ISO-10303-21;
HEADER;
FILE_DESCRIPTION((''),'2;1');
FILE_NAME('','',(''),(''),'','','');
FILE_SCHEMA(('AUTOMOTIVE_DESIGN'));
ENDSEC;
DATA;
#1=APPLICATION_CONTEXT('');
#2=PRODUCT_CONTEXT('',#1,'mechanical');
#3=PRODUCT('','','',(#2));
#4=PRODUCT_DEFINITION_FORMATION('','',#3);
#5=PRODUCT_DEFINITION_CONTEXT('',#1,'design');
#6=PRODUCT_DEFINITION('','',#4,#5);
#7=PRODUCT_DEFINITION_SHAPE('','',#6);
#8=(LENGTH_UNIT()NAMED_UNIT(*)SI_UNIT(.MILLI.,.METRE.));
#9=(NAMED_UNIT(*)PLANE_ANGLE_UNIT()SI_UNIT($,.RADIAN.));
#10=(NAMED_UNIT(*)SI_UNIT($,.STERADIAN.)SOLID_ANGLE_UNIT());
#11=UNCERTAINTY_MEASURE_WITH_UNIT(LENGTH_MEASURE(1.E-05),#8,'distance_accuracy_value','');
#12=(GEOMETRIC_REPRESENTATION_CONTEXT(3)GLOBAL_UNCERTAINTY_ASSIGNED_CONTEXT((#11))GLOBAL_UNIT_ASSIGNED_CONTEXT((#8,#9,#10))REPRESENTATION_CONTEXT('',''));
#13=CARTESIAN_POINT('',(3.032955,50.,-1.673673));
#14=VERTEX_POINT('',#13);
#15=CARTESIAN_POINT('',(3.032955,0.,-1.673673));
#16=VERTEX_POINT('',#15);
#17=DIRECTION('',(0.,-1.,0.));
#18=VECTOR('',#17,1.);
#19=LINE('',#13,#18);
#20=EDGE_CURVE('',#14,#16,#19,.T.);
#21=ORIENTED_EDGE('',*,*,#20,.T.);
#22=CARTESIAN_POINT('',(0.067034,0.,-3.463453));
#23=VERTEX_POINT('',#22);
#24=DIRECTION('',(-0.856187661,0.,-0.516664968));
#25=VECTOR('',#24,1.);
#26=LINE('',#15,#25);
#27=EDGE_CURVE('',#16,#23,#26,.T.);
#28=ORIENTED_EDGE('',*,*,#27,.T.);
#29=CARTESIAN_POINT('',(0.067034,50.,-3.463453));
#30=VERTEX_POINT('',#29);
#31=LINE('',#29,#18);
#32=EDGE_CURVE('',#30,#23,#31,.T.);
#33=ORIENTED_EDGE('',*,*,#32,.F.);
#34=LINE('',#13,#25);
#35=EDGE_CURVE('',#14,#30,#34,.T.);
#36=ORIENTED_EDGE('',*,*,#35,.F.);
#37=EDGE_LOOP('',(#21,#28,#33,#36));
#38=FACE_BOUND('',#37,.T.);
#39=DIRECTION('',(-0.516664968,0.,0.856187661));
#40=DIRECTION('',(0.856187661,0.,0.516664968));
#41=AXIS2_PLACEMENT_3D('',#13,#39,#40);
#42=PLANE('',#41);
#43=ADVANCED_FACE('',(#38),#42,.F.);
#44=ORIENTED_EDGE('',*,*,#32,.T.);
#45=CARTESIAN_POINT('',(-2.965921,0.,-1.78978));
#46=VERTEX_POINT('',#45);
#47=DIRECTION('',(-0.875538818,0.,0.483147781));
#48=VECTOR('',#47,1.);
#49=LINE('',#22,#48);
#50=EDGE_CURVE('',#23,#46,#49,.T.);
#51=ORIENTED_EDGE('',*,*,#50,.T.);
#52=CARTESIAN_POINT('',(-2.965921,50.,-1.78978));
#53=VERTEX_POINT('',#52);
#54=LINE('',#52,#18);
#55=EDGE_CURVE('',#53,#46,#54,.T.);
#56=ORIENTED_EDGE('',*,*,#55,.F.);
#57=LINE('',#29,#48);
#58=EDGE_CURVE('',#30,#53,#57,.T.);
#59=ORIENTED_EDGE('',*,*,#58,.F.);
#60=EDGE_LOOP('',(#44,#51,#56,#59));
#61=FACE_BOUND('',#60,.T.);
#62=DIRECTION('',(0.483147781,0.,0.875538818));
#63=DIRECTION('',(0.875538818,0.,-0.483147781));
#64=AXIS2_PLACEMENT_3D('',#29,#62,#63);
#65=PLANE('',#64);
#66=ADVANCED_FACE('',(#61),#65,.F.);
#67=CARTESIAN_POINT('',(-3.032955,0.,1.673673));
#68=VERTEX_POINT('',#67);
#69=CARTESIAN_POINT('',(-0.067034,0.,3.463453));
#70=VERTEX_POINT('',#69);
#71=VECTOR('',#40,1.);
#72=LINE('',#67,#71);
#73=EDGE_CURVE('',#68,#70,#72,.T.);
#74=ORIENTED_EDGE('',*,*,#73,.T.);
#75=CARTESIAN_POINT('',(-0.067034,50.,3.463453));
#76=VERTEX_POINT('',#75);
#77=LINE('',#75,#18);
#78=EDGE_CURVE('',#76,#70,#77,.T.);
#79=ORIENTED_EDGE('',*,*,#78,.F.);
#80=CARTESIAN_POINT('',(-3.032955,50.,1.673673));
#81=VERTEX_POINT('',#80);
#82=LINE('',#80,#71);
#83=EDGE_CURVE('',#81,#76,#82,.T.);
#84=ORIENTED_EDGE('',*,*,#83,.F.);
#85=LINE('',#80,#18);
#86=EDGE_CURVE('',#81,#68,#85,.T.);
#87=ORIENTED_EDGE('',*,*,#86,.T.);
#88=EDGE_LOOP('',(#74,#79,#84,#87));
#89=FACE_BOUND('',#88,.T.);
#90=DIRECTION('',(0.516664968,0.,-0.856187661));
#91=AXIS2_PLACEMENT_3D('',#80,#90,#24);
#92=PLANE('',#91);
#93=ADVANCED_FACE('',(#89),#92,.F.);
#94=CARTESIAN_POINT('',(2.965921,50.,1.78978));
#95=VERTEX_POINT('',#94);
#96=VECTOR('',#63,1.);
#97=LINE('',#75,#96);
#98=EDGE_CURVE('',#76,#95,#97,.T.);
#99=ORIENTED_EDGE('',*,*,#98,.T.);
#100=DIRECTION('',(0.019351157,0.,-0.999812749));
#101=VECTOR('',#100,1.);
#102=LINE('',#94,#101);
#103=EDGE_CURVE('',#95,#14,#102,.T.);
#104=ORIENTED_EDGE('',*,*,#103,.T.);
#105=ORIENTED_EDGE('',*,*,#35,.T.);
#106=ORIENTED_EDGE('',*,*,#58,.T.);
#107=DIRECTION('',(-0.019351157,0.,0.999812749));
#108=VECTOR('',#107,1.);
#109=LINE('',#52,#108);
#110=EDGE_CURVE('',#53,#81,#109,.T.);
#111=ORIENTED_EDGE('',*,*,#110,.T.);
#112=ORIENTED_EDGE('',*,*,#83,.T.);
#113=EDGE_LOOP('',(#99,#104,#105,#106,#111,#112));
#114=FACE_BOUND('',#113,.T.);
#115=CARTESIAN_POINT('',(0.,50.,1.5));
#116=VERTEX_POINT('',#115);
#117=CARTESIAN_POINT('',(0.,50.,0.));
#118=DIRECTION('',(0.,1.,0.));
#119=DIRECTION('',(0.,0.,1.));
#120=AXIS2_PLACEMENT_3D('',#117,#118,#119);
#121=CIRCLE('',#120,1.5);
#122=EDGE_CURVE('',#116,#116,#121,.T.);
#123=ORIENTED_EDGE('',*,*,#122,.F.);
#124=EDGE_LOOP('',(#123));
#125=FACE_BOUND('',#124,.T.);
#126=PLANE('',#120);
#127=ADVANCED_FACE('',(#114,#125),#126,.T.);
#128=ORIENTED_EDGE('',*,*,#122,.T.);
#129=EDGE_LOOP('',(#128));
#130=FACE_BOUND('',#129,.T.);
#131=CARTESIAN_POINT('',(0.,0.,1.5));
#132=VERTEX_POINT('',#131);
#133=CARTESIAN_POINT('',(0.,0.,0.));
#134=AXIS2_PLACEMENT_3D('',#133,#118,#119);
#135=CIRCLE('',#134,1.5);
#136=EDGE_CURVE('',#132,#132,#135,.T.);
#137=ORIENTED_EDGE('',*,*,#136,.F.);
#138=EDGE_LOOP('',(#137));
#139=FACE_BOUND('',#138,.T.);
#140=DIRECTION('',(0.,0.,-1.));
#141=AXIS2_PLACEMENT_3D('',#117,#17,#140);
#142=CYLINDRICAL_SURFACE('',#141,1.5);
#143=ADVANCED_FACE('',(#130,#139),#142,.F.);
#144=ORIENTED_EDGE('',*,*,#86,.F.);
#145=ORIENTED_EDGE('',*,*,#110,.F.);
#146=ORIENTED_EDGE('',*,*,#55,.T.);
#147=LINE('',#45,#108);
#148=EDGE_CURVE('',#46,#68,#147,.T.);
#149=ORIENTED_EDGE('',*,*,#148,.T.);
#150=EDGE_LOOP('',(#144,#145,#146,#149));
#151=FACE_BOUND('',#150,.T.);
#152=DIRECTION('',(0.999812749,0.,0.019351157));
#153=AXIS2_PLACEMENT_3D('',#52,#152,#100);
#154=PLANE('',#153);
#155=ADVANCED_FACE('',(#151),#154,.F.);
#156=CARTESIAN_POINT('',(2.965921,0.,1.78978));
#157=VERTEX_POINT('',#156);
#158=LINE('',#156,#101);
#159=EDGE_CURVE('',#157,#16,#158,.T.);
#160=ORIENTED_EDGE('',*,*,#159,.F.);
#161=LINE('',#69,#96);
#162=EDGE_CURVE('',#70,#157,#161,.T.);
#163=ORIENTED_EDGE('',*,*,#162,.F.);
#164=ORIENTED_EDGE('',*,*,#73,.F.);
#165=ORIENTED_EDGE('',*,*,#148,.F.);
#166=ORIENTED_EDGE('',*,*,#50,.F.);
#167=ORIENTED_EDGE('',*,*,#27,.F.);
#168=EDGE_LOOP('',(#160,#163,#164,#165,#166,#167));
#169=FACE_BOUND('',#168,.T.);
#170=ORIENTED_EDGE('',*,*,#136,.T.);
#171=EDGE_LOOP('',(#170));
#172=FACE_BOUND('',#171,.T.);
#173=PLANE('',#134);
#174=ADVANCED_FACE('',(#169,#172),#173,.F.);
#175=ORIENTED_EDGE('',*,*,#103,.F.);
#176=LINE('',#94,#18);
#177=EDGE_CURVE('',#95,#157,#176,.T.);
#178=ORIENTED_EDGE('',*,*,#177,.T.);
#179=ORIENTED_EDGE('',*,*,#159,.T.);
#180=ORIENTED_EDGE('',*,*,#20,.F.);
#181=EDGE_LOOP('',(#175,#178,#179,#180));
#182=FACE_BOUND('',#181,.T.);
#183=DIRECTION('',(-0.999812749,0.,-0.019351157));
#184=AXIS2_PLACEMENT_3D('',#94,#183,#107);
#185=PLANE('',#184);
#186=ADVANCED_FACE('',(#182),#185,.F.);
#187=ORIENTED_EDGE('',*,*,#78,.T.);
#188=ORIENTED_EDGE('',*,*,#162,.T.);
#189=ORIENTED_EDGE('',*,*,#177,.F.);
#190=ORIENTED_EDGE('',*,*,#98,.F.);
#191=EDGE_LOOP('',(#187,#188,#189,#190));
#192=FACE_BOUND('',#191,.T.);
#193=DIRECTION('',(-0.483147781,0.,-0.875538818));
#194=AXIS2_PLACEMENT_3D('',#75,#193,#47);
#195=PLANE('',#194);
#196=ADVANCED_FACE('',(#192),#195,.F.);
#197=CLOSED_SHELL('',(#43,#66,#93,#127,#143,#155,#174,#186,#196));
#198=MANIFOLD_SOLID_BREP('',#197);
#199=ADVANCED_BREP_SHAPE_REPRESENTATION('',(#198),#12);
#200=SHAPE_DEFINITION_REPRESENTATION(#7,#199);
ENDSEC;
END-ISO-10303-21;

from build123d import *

# Parameters (mm, degrees)
SKETCH_1_R      = 1.5
EXTRUDE_1_DEPTH = 50


with BuildPart() as part:
    # 草图1 → 凸台-拉伸1 (new body)
    with BuildSketch(Plane(origin=(0, 0, 0), x_dir=(1, 0, 0), z_dir=(0, 1, 0))):
        Polygon((2.96592106, -1.78977995), (3.032955433, 1.673673008), (0.067034374, 3.463452958), (-2.96592106, 1.78977995), (-3.032955433, -1.673673008), (-0.067034374, -3.463452958), align=None)
        with Locations(Location((0, 0, 0), (0, 0, 270))):
            Circle(SKETCH_1_R, mode=Mode.SUBTRACT)
    extrude(amount=EXTRUDE_1_DEPTH)


solid = part.part
